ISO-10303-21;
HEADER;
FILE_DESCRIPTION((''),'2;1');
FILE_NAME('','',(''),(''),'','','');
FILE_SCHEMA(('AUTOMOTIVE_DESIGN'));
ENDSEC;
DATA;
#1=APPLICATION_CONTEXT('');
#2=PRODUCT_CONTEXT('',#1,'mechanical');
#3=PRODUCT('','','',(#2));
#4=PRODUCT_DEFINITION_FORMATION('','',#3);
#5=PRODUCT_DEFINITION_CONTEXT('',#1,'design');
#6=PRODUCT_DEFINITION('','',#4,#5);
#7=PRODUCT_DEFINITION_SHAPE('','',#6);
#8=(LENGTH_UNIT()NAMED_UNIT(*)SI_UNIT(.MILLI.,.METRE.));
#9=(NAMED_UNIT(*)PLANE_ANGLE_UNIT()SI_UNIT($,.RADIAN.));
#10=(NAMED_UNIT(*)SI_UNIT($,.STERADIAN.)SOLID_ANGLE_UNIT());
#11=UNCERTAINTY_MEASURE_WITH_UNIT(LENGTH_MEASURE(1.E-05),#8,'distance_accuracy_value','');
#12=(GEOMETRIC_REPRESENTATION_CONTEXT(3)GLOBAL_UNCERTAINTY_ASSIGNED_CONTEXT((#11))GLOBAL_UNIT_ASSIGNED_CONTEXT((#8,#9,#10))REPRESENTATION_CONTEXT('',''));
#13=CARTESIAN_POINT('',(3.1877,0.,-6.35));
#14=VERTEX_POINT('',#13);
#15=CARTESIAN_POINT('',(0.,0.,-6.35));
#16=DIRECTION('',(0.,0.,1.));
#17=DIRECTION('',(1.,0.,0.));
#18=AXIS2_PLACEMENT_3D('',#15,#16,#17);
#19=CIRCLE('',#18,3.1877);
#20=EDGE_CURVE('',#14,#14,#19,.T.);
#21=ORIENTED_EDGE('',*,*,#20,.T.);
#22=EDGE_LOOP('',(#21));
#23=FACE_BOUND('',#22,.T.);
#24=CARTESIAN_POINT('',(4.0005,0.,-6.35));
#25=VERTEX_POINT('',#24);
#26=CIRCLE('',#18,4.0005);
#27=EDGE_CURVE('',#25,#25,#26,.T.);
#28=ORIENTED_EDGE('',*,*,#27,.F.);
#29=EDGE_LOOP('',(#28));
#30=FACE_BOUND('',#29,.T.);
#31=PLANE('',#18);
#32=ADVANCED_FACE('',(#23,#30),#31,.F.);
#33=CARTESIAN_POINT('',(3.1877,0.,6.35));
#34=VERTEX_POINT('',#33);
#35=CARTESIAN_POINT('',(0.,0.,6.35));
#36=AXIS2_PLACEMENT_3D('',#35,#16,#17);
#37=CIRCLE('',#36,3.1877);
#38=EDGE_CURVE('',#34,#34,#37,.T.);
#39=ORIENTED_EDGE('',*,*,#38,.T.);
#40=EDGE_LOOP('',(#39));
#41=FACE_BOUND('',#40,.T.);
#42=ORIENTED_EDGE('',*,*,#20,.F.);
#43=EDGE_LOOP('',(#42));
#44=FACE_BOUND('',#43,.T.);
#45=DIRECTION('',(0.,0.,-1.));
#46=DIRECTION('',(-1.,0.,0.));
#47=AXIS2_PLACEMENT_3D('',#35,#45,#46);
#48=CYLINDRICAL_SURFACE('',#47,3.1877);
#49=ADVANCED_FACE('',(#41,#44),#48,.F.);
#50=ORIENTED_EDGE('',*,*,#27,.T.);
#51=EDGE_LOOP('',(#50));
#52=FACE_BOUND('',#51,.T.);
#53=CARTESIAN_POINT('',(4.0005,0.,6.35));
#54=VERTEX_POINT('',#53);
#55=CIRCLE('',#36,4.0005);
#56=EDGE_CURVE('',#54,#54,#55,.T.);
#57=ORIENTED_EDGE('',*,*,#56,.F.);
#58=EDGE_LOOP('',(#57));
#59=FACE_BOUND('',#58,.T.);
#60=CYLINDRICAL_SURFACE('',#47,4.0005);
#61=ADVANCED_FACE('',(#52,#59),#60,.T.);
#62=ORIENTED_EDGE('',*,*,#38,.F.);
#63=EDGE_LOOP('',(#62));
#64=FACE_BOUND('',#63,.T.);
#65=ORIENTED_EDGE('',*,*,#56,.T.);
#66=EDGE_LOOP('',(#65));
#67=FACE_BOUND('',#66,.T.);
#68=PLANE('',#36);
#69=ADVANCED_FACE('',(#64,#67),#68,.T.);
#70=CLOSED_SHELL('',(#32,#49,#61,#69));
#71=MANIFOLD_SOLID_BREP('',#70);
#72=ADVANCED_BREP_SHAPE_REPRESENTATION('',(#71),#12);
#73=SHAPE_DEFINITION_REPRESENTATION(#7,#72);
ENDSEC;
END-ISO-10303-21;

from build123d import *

# Parameters (mm, degrees)
SKETCH1_R           = 4.0005
SKETCH1_R_2         = 3.1877
BOSS_EXTRUDE1_DEPTH = 6.35


with BuildPart() as part:
    # Sketch1 → Boss-Extrude1 (new, symmetric)
    with BuildSketch(Plane.XY):
        Circle(SKETCH1_R)
        Circle(SKETCH1_R_2, mode=Mode.SUBTRACT)
    extrude(amount=BOSS_EXTRUDE1_DEPTH, both=True)


solid = part.part
